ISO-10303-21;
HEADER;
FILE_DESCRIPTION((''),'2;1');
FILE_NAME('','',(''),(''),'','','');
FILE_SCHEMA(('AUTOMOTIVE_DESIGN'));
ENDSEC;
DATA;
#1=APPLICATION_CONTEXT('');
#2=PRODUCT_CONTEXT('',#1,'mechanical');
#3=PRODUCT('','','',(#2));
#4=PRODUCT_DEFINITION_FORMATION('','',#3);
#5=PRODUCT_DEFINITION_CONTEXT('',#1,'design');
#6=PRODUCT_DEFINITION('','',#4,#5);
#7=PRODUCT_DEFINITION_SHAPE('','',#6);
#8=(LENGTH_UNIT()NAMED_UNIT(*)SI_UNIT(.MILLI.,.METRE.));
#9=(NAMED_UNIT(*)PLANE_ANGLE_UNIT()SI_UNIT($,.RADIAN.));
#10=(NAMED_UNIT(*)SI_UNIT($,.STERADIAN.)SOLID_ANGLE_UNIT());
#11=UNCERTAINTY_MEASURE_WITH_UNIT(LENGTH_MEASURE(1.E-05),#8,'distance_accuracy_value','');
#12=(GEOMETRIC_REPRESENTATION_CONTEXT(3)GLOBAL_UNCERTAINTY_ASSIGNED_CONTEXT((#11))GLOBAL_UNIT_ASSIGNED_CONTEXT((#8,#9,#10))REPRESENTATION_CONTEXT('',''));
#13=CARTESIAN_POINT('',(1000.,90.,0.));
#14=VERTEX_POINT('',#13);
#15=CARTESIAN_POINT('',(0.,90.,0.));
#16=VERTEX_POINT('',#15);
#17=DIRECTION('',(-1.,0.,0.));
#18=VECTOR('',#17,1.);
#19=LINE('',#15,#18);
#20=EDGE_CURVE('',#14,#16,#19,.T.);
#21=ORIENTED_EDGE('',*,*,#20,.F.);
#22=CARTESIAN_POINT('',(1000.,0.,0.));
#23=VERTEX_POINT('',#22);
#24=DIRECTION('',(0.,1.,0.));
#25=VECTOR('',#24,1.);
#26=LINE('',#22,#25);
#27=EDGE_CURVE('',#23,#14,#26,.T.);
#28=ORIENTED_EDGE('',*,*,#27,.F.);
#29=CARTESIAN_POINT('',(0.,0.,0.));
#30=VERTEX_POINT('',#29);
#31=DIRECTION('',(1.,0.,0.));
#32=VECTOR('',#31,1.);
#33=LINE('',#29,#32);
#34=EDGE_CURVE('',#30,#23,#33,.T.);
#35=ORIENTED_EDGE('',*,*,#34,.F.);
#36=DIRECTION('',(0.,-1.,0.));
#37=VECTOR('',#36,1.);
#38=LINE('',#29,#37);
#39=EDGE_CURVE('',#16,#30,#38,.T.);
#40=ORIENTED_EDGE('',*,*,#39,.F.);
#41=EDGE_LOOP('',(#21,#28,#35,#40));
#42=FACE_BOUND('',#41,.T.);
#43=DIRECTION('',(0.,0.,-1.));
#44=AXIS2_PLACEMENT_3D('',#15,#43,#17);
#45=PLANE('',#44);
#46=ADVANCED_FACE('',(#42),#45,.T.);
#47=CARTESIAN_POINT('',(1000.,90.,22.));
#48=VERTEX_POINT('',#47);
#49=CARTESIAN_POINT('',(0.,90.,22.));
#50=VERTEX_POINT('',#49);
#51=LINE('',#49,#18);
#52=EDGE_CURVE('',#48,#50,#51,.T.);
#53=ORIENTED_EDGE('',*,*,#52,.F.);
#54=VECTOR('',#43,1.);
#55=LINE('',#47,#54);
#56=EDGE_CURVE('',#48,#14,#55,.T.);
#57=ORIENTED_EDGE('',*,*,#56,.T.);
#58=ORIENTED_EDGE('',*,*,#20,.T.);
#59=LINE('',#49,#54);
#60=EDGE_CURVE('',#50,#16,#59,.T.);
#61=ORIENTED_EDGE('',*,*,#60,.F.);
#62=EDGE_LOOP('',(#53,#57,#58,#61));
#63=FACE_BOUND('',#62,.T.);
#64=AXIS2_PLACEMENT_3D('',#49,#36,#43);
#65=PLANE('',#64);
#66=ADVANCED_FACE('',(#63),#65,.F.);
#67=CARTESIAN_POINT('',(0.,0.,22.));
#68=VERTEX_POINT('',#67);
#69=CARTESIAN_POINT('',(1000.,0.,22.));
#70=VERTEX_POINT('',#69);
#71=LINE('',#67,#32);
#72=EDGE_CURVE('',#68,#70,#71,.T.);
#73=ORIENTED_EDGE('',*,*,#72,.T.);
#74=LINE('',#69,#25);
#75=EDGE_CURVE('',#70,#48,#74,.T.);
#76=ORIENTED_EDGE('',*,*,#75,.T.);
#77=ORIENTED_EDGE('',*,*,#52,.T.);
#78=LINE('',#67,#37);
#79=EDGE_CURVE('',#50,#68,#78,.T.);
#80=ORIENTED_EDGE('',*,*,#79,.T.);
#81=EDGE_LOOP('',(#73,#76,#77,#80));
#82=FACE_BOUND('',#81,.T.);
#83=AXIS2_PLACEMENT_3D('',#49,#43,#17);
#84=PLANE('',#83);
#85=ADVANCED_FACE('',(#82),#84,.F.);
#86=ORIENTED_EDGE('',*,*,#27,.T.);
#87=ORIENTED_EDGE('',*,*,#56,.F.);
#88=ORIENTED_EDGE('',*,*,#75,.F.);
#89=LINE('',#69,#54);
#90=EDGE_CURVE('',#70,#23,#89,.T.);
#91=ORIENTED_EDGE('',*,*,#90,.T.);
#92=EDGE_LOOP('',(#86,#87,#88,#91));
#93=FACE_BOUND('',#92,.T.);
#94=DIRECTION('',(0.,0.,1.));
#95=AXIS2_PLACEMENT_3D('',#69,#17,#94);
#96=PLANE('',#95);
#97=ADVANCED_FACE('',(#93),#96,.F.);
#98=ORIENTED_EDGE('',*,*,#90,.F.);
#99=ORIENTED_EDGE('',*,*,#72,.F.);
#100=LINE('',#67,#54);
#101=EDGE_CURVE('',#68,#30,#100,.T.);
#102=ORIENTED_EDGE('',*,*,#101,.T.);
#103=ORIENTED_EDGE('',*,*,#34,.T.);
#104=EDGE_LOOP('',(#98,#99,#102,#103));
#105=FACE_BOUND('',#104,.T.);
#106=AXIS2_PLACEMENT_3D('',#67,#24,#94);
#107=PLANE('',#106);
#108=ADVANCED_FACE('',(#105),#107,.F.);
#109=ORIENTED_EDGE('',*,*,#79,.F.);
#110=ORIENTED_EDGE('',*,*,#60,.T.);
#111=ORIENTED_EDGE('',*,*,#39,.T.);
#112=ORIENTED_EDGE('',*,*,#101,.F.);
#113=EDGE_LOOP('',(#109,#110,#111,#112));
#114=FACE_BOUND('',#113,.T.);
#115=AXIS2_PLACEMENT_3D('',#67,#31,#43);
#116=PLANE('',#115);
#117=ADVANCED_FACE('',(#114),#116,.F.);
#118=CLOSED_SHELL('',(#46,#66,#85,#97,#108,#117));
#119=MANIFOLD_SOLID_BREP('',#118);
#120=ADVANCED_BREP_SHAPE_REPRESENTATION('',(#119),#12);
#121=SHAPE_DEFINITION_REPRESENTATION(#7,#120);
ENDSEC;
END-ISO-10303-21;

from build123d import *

# Parameters (mm, degrees)
ESQUISSE1_W      = 1000
ESQUISSE1_H      = 90
EXTRUSION1_DEPTH = 22


with BuildPart() as part:
    # Esquisse1 → Extrusion1 (new body)
    with BuildSketch(Plane.XY):
        with Locations((500, 45)):
            Rectangle(ESQUISSE1_W, ESQUISSE1_H)
    extrude(amount=EXTRUSION1_DEPTH)


solid = part.part
